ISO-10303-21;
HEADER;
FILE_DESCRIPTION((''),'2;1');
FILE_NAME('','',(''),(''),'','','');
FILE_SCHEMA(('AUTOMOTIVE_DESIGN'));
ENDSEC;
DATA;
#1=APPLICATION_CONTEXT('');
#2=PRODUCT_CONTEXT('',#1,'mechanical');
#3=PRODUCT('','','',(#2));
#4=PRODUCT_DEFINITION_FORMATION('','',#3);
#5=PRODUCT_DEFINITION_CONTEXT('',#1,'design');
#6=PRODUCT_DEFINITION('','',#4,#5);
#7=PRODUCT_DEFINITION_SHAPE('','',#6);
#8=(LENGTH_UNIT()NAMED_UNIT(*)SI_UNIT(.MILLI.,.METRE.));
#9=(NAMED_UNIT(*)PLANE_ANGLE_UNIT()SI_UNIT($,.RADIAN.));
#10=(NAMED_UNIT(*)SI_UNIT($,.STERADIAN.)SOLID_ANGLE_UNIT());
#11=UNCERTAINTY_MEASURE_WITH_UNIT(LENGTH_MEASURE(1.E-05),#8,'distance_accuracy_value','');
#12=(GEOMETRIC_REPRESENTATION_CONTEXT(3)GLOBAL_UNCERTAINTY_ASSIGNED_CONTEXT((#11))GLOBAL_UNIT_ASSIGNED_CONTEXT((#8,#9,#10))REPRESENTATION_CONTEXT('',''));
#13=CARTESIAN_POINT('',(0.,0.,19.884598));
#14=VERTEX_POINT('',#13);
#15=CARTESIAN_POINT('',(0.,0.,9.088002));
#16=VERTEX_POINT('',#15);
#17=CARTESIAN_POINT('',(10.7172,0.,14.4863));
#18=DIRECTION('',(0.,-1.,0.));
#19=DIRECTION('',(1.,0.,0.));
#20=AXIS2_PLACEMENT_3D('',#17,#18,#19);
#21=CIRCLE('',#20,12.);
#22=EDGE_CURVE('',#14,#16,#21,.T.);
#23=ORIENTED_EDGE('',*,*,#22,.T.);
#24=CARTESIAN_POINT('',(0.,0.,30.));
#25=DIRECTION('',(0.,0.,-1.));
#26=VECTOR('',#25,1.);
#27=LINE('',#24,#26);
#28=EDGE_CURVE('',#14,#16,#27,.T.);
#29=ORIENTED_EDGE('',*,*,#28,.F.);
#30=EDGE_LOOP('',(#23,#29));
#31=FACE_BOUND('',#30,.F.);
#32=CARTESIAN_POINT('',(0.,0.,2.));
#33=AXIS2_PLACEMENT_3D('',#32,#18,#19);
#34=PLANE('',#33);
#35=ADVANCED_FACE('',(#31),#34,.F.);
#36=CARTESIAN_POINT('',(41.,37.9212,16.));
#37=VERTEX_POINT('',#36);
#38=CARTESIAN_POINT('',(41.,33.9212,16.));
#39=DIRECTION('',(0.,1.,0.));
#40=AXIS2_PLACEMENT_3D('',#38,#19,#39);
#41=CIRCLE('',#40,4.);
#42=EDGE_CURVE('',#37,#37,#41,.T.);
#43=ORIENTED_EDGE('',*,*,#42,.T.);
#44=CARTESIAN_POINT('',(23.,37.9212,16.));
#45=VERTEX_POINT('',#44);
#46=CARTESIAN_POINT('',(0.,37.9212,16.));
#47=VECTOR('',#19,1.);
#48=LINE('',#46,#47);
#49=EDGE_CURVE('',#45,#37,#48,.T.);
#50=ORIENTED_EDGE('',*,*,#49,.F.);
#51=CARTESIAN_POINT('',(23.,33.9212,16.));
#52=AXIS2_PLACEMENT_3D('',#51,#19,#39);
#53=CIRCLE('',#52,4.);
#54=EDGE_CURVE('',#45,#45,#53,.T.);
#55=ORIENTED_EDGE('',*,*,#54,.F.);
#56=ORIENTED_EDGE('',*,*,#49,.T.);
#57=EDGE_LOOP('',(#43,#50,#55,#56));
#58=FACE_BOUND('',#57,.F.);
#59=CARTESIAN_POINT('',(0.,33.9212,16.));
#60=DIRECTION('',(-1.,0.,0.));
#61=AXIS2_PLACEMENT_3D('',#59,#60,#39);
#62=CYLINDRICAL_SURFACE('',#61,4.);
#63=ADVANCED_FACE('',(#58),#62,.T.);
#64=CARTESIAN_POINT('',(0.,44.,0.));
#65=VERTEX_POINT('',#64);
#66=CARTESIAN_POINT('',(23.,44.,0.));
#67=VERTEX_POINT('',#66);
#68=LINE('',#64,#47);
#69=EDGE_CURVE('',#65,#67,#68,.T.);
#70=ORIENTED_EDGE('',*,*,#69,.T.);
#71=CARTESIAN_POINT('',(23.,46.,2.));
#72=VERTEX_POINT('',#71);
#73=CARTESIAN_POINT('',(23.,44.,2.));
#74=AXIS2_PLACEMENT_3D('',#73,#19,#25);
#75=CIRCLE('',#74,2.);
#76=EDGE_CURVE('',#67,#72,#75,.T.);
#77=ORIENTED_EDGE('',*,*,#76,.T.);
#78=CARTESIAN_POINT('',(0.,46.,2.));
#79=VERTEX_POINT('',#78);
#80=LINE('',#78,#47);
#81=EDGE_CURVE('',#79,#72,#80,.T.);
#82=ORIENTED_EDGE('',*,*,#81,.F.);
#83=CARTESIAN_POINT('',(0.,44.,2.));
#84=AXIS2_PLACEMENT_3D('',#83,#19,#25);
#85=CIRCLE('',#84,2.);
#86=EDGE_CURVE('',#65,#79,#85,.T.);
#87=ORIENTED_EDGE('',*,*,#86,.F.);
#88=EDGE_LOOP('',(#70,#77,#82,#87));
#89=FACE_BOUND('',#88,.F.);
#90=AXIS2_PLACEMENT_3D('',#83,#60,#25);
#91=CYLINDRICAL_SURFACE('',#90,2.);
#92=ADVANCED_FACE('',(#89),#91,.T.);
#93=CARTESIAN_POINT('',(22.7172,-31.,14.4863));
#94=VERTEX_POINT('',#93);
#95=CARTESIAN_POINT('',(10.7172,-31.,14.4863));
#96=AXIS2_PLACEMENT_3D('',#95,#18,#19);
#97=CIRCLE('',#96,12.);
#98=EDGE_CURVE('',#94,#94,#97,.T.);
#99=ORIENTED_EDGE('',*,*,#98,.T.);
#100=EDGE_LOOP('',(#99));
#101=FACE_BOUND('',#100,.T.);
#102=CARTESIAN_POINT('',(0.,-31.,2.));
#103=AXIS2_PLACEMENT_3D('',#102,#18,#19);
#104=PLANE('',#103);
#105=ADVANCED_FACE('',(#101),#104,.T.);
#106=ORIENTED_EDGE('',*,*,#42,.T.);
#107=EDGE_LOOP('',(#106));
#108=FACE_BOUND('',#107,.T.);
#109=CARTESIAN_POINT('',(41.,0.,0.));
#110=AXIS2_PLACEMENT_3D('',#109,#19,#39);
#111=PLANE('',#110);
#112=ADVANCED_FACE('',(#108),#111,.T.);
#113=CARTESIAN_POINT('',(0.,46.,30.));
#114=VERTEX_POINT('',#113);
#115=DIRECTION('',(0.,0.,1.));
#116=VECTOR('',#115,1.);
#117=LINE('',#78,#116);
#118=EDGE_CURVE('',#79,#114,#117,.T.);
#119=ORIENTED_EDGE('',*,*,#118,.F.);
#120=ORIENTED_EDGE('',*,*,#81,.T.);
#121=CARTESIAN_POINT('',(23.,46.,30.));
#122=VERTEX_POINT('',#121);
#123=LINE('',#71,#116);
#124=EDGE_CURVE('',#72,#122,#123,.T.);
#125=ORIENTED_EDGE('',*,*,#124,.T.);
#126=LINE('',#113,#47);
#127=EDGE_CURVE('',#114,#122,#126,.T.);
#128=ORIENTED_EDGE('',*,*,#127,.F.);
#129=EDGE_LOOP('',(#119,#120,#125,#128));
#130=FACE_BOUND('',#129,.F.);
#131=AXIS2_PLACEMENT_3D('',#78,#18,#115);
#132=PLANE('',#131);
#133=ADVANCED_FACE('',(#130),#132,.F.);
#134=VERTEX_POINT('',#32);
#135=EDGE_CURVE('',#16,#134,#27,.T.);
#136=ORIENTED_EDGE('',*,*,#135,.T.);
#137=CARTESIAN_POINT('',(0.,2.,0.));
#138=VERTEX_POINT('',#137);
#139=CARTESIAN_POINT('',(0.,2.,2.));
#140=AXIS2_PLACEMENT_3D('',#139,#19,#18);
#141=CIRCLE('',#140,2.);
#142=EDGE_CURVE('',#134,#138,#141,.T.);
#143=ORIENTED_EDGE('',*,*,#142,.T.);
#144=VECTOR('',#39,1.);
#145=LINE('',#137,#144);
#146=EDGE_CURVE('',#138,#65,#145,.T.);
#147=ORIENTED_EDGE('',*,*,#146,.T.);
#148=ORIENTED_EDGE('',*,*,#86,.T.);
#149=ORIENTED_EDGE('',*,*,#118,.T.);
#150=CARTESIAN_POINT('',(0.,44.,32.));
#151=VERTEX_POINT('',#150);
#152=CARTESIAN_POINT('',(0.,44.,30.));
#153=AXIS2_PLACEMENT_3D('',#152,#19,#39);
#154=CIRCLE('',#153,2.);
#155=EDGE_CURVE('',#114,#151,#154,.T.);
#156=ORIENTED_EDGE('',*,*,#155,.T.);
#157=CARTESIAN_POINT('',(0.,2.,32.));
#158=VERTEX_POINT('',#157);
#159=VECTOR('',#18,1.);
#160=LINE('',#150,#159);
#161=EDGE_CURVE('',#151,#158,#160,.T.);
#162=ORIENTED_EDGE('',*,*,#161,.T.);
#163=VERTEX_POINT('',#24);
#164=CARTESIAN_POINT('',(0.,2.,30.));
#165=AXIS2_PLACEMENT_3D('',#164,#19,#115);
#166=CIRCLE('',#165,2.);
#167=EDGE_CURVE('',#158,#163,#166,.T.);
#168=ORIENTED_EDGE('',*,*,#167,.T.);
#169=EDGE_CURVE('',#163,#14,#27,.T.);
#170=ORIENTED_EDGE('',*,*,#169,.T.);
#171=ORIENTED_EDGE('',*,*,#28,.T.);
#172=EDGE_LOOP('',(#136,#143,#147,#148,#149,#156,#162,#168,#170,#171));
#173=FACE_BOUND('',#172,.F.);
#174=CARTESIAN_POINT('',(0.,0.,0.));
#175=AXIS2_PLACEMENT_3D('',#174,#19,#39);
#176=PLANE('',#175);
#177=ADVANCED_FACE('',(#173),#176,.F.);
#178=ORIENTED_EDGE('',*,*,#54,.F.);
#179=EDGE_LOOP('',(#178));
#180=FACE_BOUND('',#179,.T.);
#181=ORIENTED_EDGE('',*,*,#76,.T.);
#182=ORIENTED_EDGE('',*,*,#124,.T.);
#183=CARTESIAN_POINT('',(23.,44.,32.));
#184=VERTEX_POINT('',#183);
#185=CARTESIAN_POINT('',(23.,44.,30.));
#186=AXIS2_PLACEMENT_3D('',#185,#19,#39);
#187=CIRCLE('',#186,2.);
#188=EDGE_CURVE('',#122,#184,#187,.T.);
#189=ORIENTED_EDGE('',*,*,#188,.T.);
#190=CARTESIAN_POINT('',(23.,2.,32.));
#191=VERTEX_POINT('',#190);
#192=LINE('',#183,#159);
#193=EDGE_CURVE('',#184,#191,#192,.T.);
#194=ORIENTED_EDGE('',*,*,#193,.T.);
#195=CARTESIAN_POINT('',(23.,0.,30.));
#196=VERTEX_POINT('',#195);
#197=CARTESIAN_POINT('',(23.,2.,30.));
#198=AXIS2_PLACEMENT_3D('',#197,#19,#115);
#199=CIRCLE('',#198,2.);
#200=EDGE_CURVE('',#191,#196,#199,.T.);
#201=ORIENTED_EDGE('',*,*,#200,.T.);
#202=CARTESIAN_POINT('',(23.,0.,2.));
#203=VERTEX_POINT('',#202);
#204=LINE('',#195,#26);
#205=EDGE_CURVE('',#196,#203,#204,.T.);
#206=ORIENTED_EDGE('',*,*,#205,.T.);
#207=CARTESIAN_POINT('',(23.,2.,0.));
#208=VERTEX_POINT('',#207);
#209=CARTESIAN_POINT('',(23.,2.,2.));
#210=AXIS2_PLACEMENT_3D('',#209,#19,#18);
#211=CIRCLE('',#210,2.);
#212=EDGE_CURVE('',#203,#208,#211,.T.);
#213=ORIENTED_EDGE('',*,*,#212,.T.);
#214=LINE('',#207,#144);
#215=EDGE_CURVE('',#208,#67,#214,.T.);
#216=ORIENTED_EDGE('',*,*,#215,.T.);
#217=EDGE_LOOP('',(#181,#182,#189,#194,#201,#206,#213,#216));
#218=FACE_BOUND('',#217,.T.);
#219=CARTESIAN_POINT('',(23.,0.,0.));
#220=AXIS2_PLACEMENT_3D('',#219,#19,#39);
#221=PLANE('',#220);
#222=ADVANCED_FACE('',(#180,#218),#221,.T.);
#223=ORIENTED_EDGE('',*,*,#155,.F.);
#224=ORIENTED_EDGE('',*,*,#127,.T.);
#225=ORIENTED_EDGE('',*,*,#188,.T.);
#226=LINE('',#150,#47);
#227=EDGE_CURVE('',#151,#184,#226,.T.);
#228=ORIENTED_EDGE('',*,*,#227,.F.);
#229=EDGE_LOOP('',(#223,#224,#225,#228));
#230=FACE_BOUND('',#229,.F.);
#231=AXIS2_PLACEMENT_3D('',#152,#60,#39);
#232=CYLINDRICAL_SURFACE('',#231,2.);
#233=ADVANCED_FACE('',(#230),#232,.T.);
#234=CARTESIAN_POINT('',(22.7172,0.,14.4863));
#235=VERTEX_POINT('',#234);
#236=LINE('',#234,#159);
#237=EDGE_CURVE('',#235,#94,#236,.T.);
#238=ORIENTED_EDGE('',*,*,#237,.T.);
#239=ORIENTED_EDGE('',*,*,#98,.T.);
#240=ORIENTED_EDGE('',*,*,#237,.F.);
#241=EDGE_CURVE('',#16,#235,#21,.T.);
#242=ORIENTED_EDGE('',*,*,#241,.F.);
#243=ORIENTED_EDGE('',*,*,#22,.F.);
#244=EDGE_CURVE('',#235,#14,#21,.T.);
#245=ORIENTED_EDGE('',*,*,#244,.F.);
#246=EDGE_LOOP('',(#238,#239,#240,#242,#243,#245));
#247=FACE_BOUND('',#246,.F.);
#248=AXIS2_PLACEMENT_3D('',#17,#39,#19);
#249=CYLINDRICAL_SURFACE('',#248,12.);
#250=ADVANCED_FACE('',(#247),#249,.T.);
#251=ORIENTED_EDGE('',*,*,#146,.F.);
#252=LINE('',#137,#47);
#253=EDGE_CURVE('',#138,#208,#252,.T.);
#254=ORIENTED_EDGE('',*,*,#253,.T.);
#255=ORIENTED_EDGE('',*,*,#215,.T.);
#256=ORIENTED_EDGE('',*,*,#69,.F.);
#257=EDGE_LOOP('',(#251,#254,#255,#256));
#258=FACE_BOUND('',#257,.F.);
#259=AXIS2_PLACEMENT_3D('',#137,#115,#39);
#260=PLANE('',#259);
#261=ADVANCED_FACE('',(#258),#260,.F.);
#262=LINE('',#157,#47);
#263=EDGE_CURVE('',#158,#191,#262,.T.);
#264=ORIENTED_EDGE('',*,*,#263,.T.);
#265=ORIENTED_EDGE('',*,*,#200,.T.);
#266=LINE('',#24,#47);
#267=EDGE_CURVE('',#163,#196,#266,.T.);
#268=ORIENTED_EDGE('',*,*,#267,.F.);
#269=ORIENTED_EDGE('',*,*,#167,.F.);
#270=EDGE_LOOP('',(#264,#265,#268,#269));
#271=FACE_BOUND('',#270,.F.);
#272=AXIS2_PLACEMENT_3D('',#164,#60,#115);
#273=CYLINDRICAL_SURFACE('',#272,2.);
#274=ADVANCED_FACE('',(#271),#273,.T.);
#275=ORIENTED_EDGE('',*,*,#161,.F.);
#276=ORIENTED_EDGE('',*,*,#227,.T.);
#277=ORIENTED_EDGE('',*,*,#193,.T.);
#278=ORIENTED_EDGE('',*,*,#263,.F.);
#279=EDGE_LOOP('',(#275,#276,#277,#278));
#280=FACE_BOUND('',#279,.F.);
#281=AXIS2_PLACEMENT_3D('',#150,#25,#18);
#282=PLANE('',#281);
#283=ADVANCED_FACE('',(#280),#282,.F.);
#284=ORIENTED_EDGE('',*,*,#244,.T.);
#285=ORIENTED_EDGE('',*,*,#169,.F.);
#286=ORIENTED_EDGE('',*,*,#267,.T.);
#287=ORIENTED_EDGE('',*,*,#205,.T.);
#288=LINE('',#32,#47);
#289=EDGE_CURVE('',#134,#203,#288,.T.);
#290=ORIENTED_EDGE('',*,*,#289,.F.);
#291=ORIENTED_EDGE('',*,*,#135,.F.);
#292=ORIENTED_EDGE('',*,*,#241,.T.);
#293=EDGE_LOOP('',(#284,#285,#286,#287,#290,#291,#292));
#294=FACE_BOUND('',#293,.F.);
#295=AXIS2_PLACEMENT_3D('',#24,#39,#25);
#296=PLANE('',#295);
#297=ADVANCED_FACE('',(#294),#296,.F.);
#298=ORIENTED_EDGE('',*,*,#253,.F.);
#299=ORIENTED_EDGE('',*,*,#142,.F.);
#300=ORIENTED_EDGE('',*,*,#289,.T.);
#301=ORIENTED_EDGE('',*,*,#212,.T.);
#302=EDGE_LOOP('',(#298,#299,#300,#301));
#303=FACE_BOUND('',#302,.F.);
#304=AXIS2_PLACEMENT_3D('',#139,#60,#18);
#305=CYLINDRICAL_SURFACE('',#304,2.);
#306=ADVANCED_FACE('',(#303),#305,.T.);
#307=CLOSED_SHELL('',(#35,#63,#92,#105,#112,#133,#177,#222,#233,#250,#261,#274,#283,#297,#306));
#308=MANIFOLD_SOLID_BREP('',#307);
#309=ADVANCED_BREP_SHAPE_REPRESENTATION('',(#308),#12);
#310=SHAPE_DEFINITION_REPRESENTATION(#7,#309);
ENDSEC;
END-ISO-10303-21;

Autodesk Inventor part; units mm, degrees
ref_plane "YZ Plane" through (0, 0, 0) normal (1, 0, 0) x (0, 1, 0)
ref_plane "XZ Plane" through (0, 0, 0) normal (0, 1, 0) x (-1, 0, 0)
ref_plane "XY Plane" through (0, 0, 0) normal (0, 0, 1) x (1, 0, 0)
sketch "Sketch1" plane through (0, 0, 0) normal (1, 0, 0) x (0, 1, 0)
  line L0 (2, 0) -> (44, 0)
  line L1 (46, 2) -> (46, 30)
  line L2 (44, 32) -> (2, 32)
  line L3 (0, 30) -> (0, 2)
  arc A0 (2, 32) -> (0, 30) centre (2, 30) ccw
  arc A1 (46, 30) -> (44, 32) centre (44, 30) ccw
  arc A2 (44, 0) -> (46, 2) centre (44, 2) ccw
  arc A3 (0, 2) -> (2, 0) centre (2, 2) ccw
  line L4 (55.8524, 16) -> (-12.4215, 16) construction
  circle A4 centre (33.9212, 16) radius 4
  point P0 (0, 0)
  dimension "d3" = 8
extrude "Extrusion1" add sketch "Sketch1" along normal blind 23
extrude "Extrusion2" add sketch "Sketch1" along normal blind 41 contours A4
sketch "Sketch2" plane through (0, 0, 2) normal (0, -1, 0) x (1, 0, 0)
  line L0 (41, 10) -> (41, 18) projected
  line L1 (41, 14) -> (-14.7387, 14) construction
  circle A0 centre (10.7172, 12.4863) radius 12
  point P0 (0, -2)
  dimension "d12" = 24
extrude "Extrusion3" add sketch "Sketch2" along normal blind 31
properties part number "MOTOR 2"
